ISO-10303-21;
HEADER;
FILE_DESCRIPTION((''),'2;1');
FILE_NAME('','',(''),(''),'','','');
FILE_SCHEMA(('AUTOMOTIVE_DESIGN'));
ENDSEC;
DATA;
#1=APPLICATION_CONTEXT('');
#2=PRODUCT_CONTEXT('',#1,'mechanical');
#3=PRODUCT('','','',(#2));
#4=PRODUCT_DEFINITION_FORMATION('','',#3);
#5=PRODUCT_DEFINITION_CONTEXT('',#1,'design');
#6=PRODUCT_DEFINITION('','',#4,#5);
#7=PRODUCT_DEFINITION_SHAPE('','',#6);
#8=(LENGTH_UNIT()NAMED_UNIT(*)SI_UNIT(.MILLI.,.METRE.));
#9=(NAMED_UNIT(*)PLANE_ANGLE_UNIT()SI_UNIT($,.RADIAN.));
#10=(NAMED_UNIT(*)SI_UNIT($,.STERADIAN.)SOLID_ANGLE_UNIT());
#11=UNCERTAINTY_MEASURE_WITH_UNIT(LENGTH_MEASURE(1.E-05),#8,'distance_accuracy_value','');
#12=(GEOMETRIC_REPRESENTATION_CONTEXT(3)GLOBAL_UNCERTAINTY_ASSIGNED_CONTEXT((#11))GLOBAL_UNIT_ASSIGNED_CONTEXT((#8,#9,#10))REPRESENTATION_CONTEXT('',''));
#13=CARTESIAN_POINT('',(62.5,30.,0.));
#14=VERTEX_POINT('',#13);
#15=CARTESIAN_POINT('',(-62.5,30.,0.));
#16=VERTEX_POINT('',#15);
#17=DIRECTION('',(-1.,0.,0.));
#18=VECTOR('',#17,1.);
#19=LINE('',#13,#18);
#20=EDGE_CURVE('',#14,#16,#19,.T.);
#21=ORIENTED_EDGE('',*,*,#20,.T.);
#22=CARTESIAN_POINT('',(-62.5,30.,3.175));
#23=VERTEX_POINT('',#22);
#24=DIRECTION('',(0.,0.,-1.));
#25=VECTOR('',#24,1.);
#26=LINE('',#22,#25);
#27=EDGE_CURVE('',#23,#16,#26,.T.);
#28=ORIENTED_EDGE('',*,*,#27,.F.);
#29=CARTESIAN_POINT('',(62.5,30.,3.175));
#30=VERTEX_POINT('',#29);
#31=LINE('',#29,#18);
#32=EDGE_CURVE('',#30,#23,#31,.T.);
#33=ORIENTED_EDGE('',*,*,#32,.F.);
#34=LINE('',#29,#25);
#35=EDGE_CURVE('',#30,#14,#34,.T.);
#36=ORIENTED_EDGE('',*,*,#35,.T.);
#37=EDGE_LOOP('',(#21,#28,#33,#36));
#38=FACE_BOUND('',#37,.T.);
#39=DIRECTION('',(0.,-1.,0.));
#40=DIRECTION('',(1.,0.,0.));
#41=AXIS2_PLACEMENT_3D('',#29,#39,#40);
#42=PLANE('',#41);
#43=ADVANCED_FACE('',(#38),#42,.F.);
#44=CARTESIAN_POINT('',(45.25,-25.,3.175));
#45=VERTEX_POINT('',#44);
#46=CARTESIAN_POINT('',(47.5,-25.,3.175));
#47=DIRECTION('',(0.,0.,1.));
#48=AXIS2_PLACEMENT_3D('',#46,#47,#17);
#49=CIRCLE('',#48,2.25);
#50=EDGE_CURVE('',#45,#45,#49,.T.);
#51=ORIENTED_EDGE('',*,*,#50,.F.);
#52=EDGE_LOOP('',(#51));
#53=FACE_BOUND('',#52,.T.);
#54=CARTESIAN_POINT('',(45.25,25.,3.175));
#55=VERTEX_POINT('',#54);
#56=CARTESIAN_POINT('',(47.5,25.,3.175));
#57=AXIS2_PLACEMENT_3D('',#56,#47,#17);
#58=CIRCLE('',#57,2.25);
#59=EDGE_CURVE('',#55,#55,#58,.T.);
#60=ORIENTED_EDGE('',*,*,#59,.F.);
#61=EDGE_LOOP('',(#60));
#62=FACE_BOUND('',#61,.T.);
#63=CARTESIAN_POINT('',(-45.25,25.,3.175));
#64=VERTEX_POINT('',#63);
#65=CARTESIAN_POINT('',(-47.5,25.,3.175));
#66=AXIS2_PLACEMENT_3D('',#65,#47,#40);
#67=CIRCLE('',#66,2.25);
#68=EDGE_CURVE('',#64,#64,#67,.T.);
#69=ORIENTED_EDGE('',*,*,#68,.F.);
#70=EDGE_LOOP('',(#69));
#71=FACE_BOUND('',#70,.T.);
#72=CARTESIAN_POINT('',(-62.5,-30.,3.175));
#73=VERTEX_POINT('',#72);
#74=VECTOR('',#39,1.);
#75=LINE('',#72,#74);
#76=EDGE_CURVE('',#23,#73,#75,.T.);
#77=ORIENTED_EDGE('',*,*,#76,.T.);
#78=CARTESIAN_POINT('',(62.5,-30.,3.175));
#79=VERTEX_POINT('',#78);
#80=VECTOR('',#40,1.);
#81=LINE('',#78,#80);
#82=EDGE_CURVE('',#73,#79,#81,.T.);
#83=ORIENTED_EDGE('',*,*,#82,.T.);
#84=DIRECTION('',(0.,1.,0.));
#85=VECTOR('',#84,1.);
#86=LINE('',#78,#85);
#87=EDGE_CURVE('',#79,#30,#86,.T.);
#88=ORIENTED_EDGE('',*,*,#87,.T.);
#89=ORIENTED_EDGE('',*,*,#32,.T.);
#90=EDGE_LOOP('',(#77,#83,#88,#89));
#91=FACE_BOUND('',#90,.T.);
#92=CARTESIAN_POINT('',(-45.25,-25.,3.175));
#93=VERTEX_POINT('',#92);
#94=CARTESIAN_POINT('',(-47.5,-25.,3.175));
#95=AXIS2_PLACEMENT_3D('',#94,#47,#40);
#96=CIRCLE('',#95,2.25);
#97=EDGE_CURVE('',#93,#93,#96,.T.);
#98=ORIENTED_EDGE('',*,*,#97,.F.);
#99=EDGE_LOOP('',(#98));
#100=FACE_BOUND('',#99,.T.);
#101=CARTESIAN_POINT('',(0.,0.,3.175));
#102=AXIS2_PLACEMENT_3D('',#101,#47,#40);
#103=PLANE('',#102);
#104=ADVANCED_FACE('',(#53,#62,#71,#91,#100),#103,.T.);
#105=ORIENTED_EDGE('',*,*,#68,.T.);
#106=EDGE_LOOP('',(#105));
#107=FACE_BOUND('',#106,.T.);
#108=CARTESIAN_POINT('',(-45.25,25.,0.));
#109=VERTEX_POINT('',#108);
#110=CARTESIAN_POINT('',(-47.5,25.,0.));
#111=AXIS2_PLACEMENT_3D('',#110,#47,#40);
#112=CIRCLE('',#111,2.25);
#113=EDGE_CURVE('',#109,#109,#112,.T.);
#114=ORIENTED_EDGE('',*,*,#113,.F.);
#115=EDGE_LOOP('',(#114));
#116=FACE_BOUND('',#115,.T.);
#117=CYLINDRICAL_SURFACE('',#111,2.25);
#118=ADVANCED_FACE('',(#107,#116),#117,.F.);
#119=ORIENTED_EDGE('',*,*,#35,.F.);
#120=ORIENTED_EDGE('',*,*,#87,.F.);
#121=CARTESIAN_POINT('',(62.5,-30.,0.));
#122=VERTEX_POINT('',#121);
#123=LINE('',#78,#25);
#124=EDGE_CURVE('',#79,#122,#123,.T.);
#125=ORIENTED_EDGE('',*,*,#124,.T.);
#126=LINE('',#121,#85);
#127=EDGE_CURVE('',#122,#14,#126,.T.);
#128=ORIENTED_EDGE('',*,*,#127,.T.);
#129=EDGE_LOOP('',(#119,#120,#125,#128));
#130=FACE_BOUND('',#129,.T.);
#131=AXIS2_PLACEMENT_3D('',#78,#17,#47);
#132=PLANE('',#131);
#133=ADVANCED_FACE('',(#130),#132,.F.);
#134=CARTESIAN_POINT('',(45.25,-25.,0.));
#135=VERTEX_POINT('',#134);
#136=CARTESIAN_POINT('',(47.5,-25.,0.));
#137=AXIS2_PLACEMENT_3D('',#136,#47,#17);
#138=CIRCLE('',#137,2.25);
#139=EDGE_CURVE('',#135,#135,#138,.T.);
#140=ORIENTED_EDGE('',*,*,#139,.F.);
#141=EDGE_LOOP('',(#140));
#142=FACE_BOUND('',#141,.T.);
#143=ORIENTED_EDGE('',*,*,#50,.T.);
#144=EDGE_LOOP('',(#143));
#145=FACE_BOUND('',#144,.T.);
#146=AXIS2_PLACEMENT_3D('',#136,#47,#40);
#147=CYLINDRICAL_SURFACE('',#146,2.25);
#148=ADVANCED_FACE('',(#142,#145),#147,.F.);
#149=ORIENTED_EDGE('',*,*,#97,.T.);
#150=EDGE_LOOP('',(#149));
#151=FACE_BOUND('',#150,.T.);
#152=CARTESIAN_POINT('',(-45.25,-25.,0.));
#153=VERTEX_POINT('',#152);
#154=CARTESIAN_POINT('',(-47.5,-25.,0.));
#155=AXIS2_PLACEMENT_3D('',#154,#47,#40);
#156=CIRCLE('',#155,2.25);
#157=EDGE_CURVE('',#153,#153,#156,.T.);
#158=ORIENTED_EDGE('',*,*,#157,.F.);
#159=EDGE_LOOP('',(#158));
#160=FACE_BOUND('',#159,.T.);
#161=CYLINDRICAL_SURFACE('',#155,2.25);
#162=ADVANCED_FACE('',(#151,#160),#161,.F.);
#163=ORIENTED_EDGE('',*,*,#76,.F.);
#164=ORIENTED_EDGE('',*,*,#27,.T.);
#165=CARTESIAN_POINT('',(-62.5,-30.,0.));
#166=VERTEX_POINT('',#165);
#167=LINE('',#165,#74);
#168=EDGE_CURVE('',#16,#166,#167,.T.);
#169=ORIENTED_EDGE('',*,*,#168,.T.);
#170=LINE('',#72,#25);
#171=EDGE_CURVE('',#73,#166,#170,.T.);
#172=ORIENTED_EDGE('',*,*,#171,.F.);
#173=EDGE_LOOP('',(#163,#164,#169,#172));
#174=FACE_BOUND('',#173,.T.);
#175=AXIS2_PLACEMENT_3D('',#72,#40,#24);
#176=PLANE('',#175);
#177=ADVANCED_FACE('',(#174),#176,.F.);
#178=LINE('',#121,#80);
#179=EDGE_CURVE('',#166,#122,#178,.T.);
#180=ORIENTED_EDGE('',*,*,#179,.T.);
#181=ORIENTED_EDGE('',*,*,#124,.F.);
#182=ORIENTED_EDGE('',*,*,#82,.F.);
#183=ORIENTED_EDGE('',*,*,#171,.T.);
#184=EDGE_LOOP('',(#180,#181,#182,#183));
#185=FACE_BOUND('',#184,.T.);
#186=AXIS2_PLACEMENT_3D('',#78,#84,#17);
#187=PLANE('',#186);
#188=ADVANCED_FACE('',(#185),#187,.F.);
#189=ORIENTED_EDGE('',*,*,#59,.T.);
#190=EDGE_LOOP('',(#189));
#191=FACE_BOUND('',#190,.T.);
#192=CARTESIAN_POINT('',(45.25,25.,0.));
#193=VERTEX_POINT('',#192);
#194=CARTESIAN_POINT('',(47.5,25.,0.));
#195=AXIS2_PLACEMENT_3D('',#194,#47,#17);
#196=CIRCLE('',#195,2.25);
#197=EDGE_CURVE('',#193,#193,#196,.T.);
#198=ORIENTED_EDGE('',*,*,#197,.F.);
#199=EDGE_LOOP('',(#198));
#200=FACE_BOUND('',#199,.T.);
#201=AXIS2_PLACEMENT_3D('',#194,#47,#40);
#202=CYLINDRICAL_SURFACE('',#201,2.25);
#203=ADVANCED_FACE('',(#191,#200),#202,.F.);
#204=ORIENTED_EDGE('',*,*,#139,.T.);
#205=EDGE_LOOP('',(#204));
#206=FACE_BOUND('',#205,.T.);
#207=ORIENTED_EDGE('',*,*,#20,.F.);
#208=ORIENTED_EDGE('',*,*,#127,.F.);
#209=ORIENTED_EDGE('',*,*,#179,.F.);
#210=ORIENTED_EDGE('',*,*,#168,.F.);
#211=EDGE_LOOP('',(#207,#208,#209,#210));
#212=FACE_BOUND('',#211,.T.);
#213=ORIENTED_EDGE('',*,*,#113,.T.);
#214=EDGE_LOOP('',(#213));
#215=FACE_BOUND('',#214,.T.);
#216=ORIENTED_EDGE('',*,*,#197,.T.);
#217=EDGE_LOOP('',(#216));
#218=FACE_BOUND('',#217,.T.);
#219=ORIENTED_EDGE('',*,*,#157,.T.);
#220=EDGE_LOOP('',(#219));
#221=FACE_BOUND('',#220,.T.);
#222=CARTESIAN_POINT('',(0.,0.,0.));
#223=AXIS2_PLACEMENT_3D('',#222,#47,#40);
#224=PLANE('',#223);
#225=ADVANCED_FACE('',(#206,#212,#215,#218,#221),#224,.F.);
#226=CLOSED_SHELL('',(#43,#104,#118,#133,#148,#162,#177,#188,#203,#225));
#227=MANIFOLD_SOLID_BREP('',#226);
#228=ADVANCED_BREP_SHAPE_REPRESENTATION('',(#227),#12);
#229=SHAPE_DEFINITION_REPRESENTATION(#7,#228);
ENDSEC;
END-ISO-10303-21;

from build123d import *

# Parameters (mm, degrees)
SKETCH1_W           = 125
SKETCH1_H           = 60
BOSS_EXTRUDE1_DEPTH = 3.175
SKETCH2_R           = 2.25
CUT_EXTRUDE2_DEPTH  = 3.175


with BuildPart() as part:
    # Sketch1 → Boss-Extrude1 (new body)
    with BuildSketch(Plane.XY):
        Rectangle(SKETCH1_W, SKETCH1_H)
    extrude(amount=BOSS_EXTRUDE1_DEPTH)

    # Sketch2 → Cut-Extrude2 (cut)
    with BuildSketch(Plane.XY.offset(3.175)):
        with Locations((-47.5, 25)):
            Circle(SKETCH2_R)
        with Locations((-47.5, -25)):
            Circle(SKETCH2_R)
        with Locations((47.5, -25)):
            Circle(SKETCH2_R)
        with Locations((47.5, 25)):
            Circle(SKETCH2_R)
    extrude(amount=-CUT_EXTRUDE2_DEPTH, mode=Mode.SUBTRACT)


solid = part.part
